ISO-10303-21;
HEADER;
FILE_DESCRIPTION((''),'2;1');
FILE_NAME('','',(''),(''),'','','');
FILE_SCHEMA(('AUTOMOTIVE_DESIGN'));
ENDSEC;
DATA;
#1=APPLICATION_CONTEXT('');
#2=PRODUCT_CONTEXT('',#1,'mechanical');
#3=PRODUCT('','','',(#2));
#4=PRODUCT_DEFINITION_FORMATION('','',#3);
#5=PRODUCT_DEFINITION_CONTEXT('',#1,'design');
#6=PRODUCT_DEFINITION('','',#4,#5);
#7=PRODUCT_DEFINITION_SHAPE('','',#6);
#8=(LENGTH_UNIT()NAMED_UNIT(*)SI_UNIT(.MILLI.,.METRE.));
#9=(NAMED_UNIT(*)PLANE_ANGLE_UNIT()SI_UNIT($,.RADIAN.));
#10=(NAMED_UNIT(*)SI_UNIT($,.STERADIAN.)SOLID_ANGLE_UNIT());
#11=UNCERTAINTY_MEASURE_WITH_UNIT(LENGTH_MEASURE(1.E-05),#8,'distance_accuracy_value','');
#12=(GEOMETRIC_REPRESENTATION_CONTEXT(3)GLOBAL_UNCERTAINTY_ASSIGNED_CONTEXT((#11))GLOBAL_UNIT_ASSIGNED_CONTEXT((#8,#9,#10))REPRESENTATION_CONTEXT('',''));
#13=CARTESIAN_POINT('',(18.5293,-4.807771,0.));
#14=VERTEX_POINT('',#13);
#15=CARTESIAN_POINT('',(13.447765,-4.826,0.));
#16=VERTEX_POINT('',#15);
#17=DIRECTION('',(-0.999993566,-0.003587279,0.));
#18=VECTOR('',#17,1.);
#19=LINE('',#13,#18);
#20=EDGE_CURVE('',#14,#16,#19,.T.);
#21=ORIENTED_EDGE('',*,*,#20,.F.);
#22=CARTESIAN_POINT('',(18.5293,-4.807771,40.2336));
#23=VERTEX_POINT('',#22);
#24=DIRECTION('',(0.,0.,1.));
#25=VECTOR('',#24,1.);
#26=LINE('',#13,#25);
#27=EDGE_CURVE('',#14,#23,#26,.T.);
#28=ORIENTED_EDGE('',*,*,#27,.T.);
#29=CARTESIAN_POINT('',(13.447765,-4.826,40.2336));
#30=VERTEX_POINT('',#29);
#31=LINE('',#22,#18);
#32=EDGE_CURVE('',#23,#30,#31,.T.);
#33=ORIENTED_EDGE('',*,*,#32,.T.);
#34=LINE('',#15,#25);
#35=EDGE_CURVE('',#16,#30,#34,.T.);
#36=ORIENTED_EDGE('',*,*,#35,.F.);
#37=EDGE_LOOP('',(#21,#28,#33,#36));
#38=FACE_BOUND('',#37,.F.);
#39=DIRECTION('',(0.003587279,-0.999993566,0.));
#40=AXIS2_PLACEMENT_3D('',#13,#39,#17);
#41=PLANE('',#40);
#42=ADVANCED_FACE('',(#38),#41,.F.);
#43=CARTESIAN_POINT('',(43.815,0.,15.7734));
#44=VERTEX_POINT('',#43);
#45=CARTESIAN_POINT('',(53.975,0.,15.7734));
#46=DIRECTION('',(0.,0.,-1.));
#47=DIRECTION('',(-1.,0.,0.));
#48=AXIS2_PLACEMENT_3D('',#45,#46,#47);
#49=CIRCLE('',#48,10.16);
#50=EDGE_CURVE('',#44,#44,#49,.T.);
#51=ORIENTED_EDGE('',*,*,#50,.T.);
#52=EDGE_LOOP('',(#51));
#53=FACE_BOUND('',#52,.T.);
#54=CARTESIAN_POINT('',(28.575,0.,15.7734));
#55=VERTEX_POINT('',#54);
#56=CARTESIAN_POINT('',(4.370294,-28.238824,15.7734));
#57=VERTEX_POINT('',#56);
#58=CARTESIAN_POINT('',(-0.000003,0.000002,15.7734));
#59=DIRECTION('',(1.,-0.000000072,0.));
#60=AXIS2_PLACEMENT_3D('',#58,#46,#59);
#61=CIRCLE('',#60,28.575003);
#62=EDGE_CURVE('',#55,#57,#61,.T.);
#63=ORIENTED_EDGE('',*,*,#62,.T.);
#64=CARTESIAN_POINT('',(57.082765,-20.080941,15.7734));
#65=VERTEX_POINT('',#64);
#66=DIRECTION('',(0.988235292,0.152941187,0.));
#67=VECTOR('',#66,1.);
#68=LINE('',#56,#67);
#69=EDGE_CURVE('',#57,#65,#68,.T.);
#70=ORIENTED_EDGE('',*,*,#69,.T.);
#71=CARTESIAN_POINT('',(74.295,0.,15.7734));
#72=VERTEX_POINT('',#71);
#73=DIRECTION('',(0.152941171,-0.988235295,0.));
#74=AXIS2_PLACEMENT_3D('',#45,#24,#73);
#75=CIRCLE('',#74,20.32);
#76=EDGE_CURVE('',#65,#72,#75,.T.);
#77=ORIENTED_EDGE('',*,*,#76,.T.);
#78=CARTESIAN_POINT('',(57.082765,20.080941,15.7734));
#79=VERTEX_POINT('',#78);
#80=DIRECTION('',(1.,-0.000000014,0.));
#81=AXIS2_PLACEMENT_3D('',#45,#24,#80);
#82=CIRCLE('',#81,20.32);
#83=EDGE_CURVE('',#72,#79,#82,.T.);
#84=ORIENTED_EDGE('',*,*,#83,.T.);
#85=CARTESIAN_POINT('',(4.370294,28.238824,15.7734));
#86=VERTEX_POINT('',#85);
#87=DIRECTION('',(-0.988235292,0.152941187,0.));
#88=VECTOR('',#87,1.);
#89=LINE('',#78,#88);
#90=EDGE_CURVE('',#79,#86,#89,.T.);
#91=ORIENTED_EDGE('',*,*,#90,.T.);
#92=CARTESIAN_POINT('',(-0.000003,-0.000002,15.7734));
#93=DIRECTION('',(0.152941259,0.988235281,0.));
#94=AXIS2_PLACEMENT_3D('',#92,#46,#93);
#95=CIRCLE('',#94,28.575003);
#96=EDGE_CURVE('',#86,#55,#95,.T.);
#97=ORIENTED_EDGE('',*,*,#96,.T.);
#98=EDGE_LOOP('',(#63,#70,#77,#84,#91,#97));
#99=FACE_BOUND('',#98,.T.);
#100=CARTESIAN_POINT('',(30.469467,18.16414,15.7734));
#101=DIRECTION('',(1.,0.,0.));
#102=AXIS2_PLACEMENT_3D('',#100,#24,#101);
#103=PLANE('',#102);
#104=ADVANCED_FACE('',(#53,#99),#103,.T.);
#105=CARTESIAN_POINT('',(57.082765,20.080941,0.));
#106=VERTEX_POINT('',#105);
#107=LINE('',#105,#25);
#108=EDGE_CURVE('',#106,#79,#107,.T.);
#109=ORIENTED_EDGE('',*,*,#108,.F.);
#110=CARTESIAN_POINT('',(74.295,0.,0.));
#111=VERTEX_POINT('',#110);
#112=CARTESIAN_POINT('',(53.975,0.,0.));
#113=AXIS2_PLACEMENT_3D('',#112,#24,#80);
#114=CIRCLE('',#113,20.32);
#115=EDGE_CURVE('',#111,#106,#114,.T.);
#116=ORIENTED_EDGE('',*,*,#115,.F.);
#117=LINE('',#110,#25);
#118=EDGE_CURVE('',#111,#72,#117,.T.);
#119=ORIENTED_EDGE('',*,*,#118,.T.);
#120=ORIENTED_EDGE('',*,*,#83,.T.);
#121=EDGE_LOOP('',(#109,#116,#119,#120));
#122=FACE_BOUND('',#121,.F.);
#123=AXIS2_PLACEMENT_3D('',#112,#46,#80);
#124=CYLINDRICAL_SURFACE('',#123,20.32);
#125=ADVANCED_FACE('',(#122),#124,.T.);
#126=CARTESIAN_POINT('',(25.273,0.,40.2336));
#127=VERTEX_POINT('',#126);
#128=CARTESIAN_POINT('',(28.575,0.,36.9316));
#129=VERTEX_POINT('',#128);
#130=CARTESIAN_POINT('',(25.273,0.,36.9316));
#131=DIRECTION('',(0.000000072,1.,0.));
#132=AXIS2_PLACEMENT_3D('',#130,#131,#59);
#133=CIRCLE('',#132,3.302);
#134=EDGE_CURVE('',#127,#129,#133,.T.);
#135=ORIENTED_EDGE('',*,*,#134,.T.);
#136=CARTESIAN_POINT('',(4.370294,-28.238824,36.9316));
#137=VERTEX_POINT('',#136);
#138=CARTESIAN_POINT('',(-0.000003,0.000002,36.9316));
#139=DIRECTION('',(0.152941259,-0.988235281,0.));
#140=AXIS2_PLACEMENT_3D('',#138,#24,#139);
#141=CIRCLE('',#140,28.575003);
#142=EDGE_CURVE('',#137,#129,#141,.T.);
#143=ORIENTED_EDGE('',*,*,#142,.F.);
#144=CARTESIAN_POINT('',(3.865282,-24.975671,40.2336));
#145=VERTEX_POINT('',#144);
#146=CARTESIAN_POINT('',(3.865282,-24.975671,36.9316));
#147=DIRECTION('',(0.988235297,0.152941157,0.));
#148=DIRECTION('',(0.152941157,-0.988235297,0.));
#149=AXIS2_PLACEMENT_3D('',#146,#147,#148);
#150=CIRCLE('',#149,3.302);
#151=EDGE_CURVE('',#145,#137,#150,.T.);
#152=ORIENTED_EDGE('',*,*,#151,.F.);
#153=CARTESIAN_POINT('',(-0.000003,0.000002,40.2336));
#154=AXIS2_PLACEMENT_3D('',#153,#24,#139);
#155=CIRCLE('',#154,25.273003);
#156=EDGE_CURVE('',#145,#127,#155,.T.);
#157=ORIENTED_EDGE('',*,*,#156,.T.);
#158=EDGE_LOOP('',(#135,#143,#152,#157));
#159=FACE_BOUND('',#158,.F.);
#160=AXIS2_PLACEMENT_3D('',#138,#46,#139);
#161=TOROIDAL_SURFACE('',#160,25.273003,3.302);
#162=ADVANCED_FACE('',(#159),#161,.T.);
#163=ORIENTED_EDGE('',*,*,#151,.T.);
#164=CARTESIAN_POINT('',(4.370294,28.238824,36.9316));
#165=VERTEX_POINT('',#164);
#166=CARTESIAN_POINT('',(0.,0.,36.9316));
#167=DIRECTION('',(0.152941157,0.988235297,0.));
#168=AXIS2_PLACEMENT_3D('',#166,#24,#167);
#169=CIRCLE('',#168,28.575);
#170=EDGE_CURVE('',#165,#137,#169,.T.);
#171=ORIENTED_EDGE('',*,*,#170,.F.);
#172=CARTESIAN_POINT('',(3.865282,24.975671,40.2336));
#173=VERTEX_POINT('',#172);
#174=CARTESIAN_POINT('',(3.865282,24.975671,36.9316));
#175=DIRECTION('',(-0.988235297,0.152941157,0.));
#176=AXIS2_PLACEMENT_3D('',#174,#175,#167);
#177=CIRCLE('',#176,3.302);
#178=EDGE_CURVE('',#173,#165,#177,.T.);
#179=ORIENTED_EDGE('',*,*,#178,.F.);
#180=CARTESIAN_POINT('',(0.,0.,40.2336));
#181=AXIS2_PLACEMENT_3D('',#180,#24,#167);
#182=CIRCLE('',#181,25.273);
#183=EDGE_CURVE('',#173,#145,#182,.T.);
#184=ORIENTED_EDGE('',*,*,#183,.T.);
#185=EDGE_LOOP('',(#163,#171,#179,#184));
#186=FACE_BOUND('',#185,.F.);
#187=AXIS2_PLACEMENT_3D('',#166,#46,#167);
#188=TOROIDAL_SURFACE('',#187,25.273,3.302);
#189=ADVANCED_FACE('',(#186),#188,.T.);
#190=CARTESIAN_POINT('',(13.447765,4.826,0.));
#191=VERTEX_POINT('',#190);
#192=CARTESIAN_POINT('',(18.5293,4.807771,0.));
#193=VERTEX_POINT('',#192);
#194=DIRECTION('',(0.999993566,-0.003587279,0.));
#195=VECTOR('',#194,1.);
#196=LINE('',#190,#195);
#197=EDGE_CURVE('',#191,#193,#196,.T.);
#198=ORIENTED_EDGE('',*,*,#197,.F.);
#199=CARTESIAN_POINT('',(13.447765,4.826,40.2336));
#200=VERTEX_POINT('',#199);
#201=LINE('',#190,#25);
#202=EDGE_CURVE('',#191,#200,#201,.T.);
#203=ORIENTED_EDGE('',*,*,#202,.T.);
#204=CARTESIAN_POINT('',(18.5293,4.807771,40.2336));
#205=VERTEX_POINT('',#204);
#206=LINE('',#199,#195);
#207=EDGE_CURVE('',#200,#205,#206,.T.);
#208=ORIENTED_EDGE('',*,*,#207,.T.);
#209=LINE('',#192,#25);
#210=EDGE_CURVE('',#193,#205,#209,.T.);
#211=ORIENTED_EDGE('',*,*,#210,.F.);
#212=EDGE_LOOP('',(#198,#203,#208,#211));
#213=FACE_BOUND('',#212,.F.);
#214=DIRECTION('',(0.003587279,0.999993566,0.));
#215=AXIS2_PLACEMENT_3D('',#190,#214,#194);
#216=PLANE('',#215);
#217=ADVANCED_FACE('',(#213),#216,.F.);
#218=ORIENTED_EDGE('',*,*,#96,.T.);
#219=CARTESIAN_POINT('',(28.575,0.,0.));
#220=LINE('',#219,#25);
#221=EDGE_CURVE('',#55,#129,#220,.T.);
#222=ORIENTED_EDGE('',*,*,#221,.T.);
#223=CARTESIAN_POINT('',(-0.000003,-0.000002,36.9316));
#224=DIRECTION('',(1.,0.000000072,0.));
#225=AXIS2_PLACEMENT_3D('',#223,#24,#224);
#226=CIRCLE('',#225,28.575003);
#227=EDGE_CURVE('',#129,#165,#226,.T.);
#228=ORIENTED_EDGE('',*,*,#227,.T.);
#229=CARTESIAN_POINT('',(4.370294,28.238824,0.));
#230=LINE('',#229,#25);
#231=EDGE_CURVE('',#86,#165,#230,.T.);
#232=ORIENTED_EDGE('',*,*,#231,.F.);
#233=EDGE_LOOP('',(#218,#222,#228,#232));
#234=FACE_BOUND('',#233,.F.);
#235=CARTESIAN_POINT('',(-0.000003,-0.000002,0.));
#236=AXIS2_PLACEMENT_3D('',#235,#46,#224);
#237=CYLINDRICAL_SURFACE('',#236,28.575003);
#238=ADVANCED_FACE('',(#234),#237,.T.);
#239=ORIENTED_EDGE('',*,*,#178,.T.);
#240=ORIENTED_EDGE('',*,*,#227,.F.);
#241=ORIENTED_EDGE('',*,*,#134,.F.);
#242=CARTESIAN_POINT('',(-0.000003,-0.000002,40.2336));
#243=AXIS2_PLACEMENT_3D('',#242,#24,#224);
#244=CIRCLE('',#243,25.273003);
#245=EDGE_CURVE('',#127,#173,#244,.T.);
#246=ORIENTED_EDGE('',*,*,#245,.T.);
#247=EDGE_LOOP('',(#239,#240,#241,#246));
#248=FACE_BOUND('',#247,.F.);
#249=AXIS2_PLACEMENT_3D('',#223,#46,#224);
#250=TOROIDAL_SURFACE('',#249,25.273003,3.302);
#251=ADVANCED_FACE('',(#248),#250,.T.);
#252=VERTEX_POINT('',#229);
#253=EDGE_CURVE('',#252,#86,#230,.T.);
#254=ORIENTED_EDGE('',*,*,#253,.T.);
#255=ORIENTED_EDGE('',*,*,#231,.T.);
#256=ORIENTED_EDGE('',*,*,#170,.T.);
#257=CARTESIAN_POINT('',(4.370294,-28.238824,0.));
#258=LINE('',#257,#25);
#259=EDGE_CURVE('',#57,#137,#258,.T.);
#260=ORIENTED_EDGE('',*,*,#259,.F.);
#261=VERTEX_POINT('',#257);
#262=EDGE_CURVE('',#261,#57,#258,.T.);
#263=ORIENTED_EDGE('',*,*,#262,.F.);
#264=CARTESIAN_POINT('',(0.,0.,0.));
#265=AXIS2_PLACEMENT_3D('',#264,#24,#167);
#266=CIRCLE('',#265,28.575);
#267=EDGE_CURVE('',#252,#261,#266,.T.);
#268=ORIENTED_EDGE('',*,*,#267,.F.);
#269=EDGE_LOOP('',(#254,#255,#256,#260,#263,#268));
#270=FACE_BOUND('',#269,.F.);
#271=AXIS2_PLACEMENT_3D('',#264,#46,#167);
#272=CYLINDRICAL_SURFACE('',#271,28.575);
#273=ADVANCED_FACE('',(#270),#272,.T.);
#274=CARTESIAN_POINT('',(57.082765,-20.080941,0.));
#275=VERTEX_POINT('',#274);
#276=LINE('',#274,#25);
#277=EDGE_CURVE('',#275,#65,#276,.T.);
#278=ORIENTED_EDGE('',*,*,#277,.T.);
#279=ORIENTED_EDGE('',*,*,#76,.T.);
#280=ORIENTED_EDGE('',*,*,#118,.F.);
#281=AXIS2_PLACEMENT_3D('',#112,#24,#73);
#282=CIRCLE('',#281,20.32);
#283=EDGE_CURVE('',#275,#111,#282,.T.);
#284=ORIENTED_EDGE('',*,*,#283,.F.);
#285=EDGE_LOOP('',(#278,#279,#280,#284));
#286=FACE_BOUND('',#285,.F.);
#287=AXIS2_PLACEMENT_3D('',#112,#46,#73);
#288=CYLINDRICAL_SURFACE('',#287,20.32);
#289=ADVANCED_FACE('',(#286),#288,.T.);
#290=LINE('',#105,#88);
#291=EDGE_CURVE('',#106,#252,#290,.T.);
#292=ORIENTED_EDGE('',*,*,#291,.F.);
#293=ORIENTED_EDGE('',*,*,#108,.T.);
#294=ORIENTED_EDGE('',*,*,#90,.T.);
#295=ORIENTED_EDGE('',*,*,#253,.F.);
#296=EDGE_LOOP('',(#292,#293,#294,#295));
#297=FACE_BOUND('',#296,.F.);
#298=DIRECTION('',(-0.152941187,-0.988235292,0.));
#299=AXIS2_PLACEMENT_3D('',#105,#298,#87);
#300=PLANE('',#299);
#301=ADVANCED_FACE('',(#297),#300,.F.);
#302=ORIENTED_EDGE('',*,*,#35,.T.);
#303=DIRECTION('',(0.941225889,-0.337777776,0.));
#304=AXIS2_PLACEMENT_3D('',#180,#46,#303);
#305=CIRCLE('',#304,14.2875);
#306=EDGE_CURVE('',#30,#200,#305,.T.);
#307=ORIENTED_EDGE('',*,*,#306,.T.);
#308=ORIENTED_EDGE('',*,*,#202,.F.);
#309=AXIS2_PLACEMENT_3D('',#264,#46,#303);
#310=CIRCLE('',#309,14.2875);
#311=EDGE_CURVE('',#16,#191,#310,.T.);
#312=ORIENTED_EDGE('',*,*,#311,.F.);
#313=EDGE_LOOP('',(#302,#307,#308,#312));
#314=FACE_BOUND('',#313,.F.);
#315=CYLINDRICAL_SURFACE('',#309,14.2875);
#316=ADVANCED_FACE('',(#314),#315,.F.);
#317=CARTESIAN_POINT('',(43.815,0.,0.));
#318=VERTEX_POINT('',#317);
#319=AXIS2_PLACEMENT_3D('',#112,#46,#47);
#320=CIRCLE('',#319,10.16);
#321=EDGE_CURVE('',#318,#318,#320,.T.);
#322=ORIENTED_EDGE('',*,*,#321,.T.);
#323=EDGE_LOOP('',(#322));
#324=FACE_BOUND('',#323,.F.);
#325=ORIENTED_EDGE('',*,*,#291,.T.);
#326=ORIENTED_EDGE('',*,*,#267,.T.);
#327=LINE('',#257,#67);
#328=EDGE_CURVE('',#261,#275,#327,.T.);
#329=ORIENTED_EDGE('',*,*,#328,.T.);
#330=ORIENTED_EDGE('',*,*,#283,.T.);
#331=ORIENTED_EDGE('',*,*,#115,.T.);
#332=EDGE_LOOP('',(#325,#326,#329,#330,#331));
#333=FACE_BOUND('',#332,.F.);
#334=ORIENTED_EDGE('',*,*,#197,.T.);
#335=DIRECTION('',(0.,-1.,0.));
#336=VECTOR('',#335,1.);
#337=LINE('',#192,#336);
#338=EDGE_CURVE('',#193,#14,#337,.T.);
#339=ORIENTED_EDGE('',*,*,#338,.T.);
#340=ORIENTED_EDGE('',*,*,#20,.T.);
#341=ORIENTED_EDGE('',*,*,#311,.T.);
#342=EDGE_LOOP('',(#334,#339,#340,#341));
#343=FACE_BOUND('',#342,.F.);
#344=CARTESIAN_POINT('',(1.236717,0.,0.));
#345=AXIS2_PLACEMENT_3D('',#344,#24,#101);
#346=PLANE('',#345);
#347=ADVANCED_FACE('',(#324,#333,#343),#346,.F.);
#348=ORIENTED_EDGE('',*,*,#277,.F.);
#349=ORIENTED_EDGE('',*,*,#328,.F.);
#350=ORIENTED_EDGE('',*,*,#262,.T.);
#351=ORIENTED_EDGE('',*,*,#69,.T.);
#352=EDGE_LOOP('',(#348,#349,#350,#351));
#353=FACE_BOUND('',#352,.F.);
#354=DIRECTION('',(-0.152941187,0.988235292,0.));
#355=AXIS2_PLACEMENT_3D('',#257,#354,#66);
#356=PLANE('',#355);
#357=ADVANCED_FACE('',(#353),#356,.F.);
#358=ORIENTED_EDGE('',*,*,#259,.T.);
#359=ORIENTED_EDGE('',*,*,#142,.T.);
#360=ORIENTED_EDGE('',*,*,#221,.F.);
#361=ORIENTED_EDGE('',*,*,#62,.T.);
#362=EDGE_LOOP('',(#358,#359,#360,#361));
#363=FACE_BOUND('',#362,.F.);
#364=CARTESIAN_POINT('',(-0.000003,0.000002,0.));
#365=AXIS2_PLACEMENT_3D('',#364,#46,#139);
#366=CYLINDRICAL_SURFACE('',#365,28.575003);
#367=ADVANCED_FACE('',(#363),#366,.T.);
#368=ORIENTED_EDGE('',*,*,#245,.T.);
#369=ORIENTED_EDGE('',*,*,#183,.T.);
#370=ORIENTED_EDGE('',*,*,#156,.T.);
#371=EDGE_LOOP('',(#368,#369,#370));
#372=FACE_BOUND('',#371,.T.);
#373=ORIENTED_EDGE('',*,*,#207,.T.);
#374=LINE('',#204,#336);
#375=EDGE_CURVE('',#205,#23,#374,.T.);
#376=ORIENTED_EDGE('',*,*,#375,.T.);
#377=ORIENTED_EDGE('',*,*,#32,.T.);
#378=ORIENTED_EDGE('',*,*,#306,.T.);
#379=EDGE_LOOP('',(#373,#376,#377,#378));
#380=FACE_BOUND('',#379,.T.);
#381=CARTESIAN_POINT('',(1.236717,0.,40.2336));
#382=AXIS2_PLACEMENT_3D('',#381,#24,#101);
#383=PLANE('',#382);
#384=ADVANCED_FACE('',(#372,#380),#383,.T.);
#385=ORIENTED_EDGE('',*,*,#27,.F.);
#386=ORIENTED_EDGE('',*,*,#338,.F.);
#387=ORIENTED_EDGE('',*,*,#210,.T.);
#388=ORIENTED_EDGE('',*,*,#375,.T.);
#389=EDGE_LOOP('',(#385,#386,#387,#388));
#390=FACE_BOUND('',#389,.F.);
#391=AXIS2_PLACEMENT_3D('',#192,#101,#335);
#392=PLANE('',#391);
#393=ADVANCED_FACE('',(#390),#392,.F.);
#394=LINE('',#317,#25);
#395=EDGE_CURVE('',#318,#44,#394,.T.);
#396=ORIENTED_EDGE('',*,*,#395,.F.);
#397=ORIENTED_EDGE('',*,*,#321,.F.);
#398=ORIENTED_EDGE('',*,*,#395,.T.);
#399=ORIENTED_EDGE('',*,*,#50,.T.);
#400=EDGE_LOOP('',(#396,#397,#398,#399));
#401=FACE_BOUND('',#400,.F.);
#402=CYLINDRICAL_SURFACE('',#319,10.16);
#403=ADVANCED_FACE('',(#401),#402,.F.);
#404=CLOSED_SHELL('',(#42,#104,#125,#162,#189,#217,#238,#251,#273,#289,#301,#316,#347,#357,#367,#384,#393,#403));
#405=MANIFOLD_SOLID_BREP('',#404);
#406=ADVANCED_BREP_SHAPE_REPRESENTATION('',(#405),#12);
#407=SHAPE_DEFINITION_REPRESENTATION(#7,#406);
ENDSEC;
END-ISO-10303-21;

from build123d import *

# Parameters (mm, degrees)
F1_DEPTH = 15.7734
F2_DEPTH = 40.2336
F3_R     = 3.302


with BuildPart() as f1:
    # F0 (on Top) → F1 (new body)
    with BuildSketch(Plane.XY):
        with BuildLine():
            ThreePointArc((4.370294, 28.238824), (21.695757, 18.596363), (28.575, 0))
            Line((28.575, 0), (33.655, 0))
            ThreePointArc((33.655, 0), (40.750919, 15.428094), (57.082765, 20.080941))
            Line((57.082765, 20.080941), (4.370294, 28.238824))
        make_face()
        with BuildLine():
            Line((33.655, 0), (28.575, 0))
            ThreePointArc((28.575, 0), (21.695757, -18.596363), (4.370294, -28.238824))
            Line((4.370294, -28.238824), (57.082765, -20.080941))
            ThreePointArc((57.082765, -20.080941), (40.750919, -15.428094), (33.655, 0))
        make_face()
        with BuildLine():
            ThreePointArc((57.082765, 20.080941), (40.750919, 15.428094), (33.655, 0))
            ThreePointArc((33.655, 0), (40.750919, -15.428094), (57.082765, -20.080941))
            ThreePointArc((57.082765, -20.080941), (69.403094, -13.224081), (74.295, 0))
            ThreePointArc((74.295, 0), (69.403094, 13.224081), (57.082765, 20.080941))
        make_face()
        with BuildLine():
            ThreePointArc((64.135, 0), (53.975, -10.16), (43.815, 0))
            ThreePointArc((43.815, 0), (53.975, 10.16), (64.135, 0))
        make_face(mode=Mode.SUBTRACT)
    extrude(amount=F1_DEPTH)

    # F0 (on Top) → F2 (join)
    with BuildSketch(Plane.XY):
        with BuildLine():
            ThreePointArc((4.370294, -28.238824), (21.695757, -18.596363), (28.575, 0))
            ThreePointArc((28.575, 0), (21.695757, 18.596363), (4.370294, 28.238824))
            ThreePointArc((4.370294, 28.238824), (-28.575, 0), (4.370294, -28.238824))
        make_face()
        with BuildLine():
            ThreePointArc((13.447765, -4.826), (-14.2875, 0), (13.447765, 4.826))
            Line((13.447765, 4.826), (18.5293, 4.807771))
            Line((18.5293, 4.807771), (18.5293, 0))
            Line((18.5293, 0), (18.5293, -4.807771))
            Line((18.5293, -4.807771), (13.447765, -4.826))
        make_face(mode=Mode.SUBTRACT)
    extrude(amount=F2_DEPTH)

    # F3
    f3_edges = [f1.edges().sort_by_distance(p)[0] for p in [
        (-4.370294, 28.238824, 40.2336),
    ]]
    fillet(f3_edges, radius=F3_R)


solid = f1.part
